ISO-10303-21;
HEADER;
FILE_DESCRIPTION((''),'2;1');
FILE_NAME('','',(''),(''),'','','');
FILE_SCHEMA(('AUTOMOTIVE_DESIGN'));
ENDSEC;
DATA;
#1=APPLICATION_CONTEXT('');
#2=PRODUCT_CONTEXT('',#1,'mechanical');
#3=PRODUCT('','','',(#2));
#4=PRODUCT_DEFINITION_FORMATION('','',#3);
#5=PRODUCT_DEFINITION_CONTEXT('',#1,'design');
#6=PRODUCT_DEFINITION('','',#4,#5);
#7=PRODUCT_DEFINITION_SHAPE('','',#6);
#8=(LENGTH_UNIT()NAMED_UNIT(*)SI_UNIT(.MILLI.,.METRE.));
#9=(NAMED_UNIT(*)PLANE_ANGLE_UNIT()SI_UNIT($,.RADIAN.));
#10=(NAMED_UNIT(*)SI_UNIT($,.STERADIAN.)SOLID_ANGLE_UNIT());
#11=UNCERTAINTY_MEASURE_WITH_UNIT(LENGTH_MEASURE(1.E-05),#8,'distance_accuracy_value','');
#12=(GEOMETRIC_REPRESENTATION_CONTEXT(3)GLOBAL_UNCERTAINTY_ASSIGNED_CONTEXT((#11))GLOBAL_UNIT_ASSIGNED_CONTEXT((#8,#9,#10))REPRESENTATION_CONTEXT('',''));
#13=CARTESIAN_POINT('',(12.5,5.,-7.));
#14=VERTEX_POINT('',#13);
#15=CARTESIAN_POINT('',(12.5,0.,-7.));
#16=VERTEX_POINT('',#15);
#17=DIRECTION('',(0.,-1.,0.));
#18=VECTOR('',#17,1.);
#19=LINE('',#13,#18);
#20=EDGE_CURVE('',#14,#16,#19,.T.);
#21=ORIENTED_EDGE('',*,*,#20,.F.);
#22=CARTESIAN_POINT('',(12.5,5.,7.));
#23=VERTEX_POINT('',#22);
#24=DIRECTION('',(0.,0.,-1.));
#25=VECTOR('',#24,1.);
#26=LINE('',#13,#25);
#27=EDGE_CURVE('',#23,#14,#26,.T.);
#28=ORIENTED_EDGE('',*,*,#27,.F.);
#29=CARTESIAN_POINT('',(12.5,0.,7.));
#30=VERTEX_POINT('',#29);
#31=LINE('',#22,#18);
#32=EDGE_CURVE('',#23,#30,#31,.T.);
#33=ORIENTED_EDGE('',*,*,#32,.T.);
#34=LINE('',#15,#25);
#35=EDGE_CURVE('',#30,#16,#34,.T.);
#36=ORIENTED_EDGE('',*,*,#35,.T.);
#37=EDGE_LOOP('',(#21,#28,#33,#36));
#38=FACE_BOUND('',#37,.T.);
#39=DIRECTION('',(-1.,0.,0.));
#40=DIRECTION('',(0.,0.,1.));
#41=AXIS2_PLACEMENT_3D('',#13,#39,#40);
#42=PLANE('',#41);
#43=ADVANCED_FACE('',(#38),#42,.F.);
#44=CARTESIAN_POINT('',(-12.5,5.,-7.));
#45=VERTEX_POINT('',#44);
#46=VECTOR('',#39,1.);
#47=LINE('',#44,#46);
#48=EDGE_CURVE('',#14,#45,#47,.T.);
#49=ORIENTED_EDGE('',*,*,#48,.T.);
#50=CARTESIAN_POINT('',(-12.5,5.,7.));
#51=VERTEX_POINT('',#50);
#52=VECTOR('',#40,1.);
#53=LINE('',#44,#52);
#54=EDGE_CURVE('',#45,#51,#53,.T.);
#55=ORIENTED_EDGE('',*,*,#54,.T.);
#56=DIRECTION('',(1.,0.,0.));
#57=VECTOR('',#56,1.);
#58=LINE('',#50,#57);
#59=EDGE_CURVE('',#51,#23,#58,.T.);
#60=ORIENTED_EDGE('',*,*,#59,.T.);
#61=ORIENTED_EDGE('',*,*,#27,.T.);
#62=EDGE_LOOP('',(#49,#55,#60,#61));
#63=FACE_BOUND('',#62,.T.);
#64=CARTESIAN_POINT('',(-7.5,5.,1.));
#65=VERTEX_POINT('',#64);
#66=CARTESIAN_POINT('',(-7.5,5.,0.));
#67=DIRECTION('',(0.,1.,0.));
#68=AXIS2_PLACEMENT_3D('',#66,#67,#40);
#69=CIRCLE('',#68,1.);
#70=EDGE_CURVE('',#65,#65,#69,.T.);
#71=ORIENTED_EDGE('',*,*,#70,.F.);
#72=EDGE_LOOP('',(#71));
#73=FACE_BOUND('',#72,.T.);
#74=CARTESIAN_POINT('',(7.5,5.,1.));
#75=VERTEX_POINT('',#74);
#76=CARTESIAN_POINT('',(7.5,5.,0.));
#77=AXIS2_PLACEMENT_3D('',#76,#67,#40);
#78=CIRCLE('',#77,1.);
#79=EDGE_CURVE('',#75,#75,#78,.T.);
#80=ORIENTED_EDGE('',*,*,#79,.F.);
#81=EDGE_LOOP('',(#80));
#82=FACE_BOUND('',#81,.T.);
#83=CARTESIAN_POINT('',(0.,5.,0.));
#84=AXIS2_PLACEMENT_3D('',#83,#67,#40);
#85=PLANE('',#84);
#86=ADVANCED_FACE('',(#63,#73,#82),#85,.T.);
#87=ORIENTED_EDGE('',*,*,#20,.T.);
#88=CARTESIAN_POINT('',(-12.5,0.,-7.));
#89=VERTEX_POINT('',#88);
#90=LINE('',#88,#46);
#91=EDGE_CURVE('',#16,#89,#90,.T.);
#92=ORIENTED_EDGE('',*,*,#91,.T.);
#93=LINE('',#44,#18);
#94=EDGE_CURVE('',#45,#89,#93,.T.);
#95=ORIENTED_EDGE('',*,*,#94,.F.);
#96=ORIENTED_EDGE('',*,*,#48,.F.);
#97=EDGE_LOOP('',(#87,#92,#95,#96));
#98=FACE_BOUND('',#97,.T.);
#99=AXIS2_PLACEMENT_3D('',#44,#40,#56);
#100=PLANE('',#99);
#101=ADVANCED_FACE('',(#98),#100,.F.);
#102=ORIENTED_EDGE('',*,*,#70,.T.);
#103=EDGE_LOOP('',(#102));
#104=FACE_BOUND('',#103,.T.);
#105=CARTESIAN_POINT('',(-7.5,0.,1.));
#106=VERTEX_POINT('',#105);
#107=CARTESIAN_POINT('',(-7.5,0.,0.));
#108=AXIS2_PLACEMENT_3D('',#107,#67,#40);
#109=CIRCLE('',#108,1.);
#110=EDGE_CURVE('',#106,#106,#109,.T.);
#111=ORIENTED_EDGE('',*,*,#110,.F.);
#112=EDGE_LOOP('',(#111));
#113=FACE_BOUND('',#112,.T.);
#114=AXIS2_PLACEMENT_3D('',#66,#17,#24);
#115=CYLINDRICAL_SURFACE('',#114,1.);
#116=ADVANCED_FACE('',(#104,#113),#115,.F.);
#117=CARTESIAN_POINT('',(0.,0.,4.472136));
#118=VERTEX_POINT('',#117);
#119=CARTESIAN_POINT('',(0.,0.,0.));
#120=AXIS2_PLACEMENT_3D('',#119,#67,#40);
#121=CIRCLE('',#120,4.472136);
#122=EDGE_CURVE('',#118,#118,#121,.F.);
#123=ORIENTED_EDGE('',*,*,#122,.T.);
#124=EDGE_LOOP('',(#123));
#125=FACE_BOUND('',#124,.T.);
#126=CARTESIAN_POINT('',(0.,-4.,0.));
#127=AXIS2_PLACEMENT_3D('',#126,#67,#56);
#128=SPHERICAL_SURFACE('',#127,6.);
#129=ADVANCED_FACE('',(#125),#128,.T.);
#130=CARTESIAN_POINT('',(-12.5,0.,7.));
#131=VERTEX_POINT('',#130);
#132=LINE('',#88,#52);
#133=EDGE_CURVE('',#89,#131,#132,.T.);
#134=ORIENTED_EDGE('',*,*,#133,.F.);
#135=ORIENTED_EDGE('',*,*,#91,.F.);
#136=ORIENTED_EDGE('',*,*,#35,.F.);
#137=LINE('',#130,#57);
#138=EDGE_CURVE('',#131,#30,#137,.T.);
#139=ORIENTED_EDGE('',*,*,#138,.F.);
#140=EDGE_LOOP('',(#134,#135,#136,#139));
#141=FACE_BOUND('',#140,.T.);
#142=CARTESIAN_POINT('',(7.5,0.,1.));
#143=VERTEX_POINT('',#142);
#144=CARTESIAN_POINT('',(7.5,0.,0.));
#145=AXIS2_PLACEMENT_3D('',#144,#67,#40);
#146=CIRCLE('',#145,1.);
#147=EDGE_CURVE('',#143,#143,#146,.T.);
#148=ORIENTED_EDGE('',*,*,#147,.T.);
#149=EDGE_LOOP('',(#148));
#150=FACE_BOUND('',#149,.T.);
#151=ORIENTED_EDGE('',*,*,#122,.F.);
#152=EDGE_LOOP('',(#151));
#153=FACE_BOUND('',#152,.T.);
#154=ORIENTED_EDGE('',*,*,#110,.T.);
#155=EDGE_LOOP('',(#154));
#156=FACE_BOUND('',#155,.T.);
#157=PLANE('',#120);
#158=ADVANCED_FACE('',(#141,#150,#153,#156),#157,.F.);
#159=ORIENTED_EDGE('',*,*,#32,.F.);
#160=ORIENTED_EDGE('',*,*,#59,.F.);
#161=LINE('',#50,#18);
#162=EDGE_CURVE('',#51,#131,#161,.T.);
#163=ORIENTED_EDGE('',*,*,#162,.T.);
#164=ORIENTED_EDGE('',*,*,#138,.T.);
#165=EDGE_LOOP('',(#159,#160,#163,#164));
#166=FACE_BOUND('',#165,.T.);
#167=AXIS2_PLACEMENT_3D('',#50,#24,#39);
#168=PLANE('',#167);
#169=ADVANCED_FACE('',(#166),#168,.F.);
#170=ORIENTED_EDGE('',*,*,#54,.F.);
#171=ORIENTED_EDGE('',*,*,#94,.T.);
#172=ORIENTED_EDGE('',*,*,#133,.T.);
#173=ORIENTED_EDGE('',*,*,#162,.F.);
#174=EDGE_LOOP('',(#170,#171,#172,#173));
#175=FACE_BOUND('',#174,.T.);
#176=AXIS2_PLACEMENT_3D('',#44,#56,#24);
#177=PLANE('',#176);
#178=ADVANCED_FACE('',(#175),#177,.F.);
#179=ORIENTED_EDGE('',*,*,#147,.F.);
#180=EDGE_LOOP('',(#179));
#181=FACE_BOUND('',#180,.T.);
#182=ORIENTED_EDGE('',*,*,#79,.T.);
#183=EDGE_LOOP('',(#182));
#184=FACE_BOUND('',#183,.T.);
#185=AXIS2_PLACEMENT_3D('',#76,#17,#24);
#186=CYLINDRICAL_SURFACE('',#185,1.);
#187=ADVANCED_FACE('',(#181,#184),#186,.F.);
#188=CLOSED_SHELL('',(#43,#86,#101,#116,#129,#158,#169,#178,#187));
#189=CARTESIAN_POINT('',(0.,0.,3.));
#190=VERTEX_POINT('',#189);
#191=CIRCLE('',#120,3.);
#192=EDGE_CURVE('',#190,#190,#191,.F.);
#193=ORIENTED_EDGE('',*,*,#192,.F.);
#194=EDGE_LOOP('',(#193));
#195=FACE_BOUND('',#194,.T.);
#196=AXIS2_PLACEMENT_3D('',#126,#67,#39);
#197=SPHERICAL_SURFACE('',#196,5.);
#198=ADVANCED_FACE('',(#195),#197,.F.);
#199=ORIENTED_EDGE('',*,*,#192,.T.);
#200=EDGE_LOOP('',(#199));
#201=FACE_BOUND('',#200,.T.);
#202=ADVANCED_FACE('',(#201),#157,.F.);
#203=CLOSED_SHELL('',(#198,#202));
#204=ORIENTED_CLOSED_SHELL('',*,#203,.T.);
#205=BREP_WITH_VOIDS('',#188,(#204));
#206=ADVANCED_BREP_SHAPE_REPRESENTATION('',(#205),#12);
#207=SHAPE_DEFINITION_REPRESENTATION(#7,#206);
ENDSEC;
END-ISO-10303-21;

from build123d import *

# Parameters (mm, degrees)
SKETCH1_W           = 25
SKETCH1_H           = 14
SKETCH1_R           = 1
BOSS_EXTRUDE1_DEPTH = 5


with BuildPart() as part:
    # Sketch1 → Boss-Extrude1 (new body)
    with BuildSketch(Plane(origin=(0, 0, 0), x_dir=(1, 0, 0), z_dir=(0, 1, 0))):
        Rectangle(SKETCH1_W, SKETCH1_H)
        with Locations(Location((7.5, 0, 0), (0, 0, 270))):
            Circle(SKETCH1_R, mode=Mode.SUBTRACT)
        with Locations(Location((-7.5, 0, 0), (0, 0, 270))):
            Circle(SKETCH1_R, mode=Mode.SUBTRACT)
    extrude(amount=BOSS_EXTRUDE1_DEPTH)

    # Sketch2 → Revolve-Thin1 (revolve)
    with BuildSketch(Plane.XY):
        with BuildLine():
            ThreePointArc((0, -10), (-6, -4), (0, 2))
            Line((0, 2), (0, 1))
            ThreePointArc((0, 1), (-5, -4), (0, -9))
            Line((0, -9), (0, -10))
        make_face()
    revolve(axis=Axis((0, 2, 0), (0, -1, 0)))


solid = part.part
